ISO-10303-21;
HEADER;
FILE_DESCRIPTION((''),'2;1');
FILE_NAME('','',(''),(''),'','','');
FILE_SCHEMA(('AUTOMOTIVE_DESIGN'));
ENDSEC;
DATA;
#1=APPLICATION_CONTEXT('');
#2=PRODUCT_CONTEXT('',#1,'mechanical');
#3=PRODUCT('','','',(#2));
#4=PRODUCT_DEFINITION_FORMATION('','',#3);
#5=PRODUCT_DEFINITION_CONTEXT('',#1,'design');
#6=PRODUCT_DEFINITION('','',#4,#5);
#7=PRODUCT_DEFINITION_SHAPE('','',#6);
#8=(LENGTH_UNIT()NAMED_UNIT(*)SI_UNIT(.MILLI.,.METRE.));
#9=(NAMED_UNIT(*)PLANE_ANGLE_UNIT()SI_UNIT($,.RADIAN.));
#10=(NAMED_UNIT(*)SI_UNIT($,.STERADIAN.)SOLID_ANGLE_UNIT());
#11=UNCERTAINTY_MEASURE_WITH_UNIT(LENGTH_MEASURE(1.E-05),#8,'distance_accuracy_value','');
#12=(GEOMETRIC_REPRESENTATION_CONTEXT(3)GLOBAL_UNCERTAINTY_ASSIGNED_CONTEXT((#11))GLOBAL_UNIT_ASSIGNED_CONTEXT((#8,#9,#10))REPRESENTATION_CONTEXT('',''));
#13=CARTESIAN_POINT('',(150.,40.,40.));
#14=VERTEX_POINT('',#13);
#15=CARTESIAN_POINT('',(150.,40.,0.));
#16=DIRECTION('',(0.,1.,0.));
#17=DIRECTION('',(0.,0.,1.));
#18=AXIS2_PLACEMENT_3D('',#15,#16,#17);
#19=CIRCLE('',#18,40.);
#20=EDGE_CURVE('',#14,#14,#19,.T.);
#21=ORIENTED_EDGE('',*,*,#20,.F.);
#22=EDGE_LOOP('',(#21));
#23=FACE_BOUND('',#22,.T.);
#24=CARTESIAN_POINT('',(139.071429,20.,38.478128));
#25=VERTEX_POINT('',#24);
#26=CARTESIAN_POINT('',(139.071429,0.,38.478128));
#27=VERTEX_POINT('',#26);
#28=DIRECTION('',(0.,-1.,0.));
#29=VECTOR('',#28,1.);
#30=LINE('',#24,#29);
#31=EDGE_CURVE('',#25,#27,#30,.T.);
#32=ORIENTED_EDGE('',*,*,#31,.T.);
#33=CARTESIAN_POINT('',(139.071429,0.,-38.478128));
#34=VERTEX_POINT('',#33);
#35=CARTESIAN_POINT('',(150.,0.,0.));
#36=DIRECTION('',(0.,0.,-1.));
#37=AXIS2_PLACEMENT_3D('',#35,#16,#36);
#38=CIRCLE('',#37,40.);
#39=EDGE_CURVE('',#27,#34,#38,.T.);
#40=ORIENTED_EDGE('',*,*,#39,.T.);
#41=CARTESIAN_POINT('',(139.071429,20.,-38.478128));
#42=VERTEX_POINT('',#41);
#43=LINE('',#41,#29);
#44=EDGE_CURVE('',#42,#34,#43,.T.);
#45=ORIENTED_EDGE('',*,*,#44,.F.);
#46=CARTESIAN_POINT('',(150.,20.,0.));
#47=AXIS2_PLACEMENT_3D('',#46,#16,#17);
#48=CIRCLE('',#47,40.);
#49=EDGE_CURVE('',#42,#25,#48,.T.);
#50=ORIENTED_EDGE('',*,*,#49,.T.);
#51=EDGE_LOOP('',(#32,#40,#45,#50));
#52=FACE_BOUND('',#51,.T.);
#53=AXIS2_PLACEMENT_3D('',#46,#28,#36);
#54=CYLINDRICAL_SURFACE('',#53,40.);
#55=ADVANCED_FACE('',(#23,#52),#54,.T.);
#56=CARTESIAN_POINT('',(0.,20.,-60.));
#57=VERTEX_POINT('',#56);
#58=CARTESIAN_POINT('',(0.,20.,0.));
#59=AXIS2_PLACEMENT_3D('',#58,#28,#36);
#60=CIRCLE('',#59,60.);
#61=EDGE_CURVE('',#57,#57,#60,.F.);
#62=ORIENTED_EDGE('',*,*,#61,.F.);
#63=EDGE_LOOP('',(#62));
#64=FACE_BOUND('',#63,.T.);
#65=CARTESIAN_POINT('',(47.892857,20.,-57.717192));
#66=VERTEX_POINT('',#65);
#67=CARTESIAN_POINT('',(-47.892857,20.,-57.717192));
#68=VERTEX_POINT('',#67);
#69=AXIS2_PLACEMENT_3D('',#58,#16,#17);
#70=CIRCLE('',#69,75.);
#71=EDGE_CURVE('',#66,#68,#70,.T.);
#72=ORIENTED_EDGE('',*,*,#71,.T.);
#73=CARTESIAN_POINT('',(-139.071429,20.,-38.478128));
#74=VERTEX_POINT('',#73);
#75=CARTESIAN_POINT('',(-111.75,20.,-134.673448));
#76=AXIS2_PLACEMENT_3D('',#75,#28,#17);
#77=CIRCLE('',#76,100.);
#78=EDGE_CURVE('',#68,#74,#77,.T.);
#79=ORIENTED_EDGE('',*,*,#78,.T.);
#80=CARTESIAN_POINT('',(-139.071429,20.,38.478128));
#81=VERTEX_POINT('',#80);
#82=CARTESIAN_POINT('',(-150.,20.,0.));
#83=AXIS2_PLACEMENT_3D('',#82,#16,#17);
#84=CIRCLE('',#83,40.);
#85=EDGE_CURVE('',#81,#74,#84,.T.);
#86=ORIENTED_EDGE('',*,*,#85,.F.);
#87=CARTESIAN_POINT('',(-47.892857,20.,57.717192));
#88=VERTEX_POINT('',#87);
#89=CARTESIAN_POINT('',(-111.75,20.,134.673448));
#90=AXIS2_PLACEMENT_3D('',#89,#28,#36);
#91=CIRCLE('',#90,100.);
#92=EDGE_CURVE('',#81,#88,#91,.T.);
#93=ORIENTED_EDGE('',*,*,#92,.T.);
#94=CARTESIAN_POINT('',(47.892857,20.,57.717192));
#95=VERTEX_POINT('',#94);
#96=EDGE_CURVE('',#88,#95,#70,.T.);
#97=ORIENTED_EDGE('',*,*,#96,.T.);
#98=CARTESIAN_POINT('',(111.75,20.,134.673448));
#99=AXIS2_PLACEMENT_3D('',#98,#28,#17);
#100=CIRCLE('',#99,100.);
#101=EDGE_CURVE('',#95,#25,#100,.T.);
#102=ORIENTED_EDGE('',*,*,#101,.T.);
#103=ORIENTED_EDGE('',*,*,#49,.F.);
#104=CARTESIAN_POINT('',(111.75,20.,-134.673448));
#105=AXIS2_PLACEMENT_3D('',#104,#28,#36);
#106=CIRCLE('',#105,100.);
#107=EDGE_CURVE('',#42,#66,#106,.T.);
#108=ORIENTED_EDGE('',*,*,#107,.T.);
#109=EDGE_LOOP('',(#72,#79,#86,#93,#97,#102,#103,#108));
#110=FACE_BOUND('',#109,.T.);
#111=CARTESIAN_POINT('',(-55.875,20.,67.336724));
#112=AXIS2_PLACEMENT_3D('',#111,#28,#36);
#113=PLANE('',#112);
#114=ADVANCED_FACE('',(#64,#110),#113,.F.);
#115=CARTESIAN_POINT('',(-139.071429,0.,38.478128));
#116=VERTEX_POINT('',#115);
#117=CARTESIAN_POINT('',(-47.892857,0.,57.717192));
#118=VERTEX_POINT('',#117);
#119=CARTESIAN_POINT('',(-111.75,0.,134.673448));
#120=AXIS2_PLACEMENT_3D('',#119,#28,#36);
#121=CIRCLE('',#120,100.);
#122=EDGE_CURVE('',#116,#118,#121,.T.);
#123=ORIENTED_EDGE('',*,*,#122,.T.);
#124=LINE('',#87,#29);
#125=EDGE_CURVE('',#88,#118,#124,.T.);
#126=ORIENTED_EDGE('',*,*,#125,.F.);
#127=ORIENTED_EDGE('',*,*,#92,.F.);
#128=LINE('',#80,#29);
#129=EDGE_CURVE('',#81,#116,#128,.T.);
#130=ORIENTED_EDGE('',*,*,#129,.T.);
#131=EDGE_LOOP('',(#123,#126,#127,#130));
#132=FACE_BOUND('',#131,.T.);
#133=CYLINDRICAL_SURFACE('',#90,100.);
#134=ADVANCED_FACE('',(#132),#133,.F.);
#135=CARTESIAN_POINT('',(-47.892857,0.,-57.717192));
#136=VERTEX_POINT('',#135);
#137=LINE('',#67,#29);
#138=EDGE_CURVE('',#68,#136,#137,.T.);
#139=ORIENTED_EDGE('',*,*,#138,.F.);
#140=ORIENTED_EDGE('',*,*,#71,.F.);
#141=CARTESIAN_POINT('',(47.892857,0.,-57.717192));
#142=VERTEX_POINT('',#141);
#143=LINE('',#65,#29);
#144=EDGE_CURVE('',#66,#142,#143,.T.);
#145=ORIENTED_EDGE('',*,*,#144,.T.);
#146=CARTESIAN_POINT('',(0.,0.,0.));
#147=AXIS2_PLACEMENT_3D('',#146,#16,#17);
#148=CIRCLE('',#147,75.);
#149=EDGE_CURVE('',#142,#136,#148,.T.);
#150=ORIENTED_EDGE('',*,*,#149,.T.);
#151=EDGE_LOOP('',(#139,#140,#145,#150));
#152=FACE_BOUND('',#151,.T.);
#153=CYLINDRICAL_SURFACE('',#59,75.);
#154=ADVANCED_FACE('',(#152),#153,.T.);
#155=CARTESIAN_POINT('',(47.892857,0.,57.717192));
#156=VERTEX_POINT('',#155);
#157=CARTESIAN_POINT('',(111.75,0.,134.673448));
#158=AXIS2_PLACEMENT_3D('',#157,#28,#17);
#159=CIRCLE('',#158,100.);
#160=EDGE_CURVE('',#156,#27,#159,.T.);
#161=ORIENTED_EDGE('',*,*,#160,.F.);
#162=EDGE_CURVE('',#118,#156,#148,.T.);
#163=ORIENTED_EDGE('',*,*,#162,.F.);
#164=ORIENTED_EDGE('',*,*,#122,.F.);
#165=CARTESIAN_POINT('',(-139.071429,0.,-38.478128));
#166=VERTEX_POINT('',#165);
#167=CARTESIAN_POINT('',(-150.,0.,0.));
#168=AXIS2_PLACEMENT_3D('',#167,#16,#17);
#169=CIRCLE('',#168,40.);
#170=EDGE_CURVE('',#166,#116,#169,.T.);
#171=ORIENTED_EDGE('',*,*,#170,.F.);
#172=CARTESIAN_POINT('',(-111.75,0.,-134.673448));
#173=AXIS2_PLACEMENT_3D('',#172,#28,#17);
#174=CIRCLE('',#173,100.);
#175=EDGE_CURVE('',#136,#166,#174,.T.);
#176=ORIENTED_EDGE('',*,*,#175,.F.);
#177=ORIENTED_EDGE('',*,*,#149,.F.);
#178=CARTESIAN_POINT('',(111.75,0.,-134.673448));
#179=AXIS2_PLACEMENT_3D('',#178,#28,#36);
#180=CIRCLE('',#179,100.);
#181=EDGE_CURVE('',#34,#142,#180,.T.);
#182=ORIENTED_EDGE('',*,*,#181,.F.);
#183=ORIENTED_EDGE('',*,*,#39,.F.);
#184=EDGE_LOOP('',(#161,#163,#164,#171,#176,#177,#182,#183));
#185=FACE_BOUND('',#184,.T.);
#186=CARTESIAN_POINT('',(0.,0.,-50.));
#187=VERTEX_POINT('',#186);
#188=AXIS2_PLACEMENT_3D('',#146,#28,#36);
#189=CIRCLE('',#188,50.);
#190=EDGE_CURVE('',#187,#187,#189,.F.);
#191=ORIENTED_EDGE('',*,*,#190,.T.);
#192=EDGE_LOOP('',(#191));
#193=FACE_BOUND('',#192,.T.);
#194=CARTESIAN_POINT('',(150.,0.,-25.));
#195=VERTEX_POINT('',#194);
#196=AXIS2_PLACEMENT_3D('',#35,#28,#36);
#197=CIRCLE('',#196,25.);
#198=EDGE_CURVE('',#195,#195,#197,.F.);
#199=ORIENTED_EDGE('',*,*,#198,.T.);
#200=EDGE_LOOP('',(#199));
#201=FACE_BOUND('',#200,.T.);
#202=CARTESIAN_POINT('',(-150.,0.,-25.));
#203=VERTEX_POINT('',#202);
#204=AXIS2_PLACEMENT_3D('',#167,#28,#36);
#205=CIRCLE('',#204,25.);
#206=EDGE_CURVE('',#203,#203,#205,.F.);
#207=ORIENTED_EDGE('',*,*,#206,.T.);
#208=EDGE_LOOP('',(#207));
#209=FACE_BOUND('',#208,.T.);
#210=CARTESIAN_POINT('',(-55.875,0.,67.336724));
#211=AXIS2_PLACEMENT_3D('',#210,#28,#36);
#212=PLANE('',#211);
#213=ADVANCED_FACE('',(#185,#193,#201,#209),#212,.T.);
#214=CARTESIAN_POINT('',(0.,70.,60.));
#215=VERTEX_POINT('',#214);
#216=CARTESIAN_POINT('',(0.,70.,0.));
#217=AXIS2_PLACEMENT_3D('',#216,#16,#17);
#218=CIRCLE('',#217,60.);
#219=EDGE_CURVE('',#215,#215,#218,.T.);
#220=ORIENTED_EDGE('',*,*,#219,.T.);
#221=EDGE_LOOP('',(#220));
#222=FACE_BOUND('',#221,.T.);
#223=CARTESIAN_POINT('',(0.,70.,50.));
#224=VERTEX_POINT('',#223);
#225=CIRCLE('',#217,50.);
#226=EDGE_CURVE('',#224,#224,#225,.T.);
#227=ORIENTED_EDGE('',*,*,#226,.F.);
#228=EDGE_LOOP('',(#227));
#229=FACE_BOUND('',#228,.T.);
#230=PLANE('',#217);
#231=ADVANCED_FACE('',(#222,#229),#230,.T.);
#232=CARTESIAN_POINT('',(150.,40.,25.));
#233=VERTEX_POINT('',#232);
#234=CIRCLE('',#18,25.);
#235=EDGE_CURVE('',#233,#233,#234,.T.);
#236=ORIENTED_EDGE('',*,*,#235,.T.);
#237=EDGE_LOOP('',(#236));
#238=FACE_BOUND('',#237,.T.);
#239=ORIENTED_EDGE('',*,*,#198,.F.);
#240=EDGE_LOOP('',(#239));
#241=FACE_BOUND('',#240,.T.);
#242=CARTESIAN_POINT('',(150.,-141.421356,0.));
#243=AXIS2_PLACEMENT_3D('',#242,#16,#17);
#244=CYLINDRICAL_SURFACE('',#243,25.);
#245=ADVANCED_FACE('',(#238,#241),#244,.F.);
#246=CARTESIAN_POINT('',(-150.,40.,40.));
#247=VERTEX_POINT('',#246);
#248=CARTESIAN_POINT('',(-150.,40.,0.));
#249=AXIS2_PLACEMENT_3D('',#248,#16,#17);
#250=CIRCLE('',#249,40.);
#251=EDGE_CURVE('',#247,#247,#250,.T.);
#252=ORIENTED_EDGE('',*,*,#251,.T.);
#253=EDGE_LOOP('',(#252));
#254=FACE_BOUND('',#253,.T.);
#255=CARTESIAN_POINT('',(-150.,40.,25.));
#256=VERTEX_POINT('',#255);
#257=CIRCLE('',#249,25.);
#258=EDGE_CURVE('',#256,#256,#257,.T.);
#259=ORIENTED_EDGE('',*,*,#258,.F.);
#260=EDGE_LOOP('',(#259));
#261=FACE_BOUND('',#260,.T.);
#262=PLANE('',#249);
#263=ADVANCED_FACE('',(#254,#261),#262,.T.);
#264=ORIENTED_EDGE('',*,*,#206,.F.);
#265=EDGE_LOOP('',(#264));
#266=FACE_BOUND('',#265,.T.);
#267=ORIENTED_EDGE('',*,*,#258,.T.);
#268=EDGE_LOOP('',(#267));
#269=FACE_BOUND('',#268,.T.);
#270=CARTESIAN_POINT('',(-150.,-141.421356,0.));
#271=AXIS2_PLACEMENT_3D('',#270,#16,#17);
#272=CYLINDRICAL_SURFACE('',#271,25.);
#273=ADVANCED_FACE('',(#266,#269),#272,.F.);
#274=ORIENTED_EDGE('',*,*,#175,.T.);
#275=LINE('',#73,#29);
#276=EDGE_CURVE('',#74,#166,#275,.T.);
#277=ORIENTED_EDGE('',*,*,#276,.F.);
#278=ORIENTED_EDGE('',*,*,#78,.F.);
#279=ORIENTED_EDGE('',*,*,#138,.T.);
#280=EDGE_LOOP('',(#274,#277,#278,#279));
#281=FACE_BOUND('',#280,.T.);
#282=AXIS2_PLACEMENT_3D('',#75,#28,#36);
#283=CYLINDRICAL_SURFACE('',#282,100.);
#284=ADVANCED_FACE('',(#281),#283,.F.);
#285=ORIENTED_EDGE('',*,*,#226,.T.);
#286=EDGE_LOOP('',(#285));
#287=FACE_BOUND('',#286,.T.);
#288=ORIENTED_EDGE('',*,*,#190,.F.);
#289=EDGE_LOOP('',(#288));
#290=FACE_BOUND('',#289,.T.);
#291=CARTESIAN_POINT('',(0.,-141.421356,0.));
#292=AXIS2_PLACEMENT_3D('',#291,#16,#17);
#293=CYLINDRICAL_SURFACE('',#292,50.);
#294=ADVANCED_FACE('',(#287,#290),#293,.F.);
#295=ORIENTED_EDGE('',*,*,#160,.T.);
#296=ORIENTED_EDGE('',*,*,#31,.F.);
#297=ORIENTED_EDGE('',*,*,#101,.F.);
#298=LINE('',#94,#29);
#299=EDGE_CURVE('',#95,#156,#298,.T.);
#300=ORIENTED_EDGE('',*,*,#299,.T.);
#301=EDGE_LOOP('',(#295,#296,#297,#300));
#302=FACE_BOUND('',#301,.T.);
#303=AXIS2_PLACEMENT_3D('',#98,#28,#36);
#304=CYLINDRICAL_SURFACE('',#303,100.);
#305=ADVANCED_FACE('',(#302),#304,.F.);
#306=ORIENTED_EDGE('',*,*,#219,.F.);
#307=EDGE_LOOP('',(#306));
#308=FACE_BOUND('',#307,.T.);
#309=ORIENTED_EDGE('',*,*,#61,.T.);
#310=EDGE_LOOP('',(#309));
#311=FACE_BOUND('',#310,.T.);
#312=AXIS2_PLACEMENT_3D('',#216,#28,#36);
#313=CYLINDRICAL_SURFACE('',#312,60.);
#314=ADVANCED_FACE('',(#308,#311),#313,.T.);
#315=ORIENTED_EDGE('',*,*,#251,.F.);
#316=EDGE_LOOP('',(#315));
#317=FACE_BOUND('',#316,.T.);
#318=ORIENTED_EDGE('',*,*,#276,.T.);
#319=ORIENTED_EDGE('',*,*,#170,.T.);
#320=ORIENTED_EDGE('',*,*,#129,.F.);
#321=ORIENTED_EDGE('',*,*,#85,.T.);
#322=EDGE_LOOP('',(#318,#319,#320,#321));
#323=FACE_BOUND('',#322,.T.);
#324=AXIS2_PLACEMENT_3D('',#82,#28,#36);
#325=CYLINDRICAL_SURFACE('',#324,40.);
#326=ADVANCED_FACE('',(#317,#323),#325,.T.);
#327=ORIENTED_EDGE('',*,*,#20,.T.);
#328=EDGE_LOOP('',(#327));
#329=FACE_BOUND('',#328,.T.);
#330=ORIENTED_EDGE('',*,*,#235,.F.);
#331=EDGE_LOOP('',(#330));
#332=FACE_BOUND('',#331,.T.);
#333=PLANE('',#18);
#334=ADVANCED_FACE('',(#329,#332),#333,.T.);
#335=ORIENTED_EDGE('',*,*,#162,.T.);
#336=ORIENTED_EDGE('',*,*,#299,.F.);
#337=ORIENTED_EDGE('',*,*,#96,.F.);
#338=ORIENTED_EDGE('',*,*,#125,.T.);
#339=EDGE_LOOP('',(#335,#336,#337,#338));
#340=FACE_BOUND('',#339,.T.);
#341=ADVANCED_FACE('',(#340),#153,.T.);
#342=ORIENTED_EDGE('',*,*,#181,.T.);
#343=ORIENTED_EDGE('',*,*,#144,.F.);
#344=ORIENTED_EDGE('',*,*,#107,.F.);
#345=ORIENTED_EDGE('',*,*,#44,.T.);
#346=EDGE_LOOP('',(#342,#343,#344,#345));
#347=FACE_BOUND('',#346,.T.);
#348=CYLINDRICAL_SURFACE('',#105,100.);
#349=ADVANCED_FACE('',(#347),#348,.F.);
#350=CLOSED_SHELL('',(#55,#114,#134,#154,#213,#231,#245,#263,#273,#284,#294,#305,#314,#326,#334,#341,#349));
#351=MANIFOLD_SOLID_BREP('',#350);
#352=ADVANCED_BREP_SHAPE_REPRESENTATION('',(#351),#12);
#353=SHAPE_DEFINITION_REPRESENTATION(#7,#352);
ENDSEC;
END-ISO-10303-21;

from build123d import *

# Parameters (mm, degrees)
BOSS_EXTRUDE1_DEPTH = 20
SKETCH2_R           = 60
BOSS_EXTRUDE2_DEPTH = 50
SKETCH3_R           = 40
BOSS_EXTRUDE3_DEPTH = 20
SKETCH4_R           = 50
SKETCH4_R_2         = 25
CUT_EXTRUDE1_DEPTH  = 70


with BuildPart() as part:
    # Sketch1 → Boss-Extrude1 (new body)
    with BuildSketch(Plane(origin=(0, 0, 0), x_dir=(1, 0, 0), z_dir=(0, 1, 0))):
        with BuildLine():
            ThreePointArc((-47.892857143, -57.717191847), (0, -75), (47.892857143, -57.717191847))
            ThreePointArc((47.892857143, -57.717191847), (91.104177178, -36.827906099), (139.071428571, -38.478127898))
            ThreePointArc((139.071428571, -38.478127898), (190, 0), (139.071428571, 38.478127898))
            ThreePointArc((139.071428571, 38.478127898), (91.104177178, 36.827906099), (47.892857143, 57.717191847))
            ThreePointArc((47.892857143, 57.717191847), (0, 75), (-47.892857143, 57.717191847))
            ThreePointArc((-47.892857143, 57.717191847), (-91.104177178, 36.827906099), (-139.071428571, 38.478127898))
            ThreePointArc((-139.071428571, 38.478127898), (-190, 0), (-139.071428571, -38.478127898))
            ThreePointArc((-139.071428571, -38.478127898), (-91.104177178, -36.827906099), (-47.892857143, -57.717191847))
        make_face()
    extrude(amount=BOSS_EXTRUDE1_DEPTH)

    # Sketch2 → Boss-Extrude2 (add)
    with BuildSketch(Plane(origin=(0, 20, 0), x_dir=(1, 0, 0), z_dir=(0, 1, 0))):
        with Locations(Location((0, 0, 0), (0, 0, 90))):
            Circle(SKETCH2_R)
    extrude(amount=BOSS_EXTRUDE2_DEPTH)

    # Sketch3 → Boss-Extrude3 (add)
    with BuildSketch(Plane(origin=(0, 20, 0), x_dir=(1, 0, 0), z_dir=(0, 1, 0))):
        with Locations(Location((-150, 0, 0), (0, 0, 74.144374523))):
            Circle(SKETCH3_R)
        with Locations(Location((150, 0, 0), (0, 0, 105.855625477))):
            Circle(SKETCH3_R)
    extrude(amount=BOSS_EXTRUDE3_DEPTH)

    # Sketch4 → Cut-Extrude1 (cut)
    with BuildSketch(Plane(origin=(0, 70, 0), x_dir=(1, 0, 0), z_dir=(0, 1, 0))):
        with Locations(Location((0, 0, 0), (0, 0, 270))):
            Circle(SKETCH4_R)
        with Locations(Location((-150, 0, 0), (0, 0, 270))):
            Circle(SKETCH4_R_2)
        with Locations(Location((150, 0, 0), (0, 0, 270))):
            Circle(SKETCH4_R_2)
    extrude(amount=-CUT_EXTRUDE1_DEPTH, mode=Mode.SUBTRACT)


solid = part.part
